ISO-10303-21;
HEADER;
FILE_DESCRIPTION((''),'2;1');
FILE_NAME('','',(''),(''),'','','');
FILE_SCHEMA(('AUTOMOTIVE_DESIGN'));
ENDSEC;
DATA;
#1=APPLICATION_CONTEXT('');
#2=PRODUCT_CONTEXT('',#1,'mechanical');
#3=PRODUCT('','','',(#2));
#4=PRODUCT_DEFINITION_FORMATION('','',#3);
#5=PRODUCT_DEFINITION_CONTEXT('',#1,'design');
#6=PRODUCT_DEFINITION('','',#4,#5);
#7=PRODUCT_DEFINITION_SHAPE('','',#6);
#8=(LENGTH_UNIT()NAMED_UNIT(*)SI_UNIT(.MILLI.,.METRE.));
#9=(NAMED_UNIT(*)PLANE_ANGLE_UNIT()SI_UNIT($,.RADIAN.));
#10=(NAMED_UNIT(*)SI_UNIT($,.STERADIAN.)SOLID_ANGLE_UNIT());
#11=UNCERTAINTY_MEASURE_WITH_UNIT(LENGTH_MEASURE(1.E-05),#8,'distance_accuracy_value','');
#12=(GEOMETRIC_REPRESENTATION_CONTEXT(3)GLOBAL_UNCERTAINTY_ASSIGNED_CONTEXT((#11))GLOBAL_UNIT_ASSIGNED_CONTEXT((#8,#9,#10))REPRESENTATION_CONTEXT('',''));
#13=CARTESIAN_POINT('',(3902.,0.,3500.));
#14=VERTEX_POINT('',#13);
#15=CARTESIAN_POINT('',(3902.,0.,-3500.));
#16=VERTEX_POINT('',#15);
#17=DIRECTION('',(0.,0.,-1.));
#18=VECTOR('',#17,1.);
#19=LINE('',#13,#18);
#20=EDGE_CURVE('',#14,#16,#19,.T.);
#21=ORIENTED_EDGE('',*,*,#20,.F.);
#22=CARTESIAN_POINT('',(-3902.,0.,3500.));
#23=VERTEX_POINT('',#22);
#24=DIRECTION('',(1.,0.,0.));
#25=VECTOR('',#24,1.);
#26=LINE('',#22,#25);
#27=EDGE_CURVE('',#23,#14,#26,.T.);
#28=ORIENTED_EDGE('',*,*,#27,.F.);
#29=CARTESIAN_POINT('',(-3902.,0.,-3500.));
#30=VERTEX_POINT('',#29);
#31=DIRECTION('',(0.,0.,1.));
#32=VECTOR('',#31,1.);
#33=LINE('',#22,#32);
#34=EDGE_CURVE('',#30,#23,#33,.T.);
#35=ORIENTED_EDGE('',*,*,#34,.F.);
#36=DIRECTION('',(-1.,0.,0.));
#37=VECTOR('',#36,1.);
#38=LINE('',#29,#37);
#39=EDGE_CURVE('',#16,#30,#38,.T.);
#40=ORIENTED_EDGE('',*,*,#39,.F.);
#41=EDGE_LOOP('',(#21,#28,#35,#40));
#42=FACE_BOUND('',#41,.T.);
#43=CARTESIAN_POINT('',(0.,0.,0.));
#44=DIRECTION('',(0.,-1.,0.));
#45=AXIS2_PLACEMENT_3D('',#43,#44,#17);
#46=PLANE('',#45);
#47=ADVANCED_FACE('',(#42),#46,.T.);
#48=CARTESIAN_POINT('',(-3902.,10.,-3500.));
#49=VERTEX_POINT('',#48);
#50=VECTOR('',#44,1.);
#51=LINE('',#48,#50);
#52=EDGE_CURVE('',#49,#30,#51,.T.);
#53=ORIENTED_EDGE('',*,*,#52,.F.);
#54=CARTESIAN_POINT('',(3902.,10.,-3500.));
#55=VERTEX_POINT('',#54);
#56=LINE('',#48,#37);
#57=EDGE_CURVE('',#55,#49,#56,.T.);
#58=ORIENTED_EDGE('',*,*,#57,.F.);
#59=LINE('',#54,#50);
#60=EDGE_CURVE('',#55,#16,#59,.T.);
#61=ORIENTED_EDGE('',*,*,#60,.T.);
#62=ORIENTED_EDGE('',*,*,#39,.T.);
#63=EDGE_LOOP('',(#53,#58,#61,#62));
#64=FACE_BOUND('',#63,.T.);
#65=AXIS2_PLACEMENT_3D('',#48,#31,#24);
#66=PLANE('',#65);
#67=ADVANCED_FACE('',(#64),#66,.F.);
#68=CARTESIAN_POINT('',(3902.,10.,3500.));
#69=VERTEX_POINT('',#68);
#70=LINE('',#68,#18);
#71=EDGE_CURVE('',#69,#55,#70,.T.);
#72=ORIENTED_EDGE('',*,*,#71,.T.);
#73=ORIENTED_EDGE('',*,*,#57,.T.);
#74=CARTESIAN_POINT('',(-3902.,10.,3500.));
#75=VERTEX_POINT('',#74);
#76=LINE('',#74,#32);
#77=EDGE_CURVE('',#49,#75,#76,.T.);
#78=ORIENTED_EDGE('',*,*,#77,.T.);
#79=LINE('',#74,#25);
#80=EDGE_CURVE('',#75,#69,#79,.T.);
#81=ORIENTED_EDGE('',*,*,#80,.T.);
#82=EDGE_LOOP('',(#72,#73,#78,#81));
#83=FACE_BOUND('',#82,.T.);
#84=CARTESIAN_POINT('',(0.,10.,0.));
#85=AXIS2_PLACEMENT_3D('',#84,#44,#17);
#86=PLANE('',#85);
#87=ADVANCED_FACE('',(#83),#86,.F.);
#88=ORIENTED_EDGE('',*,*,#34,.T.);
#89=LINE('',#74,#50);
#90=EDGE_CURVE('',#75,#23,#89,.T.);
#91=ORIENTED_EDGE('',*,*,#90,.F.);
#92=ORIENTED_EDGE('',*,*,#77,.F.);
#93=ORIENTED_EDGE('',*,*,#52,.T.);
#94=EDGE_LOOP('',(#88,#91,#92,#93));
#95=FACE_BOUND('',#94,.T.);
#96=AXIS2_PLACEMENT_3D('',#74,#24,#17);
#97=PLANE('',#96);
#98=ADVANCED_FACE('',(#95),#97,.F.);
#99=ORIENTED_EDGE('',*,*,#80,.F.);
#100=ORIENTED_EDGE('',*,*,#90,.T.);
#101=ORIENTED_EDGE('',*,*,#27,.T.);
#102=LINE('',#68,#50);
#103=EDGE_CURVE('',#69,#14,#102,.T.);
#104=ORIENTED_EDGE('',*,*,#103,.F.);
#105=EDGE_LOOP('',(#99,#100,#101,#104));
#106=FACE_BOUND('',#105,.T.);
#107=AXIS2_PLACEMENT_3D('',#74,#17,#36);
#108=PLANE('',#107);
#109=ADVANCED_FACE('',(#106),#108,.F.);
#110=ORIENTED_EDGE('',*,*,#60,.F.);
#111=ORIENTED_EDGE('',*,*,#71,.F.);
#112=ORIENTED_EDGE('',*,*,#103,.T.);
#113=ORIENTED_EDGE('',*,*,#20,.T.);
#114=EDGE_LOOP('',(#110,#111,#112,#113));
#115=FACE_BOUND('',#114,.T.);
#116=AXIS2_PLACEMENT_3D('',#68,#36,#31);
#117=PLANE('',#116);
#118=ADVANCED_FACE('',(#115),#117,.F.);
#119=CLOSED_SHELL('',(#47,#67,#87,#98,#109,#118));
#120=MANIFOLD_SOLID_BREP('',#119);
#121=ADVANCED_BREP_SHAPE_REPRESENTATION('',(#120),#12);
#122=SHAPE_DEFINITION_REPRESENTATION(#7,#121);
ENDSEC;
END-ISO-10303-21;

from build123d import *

# Parameters (mm, degrees)
SKETCH1_W           = 7804
SKETCH1_H           = 7000
BOSS_EXTRUDE1_DEPTH = 10


with BuildPart() as part:
    # Sketch1 → Boss-Extrude1 (new body)
    with BuildSketch(Plane(origin=(0, 0, 0), x_dir=(1, 0, 0), z_dir=(0, 1, 0))):
        Rectangle(SKETCH1_W, SKETCH1_H)
    extrude(amount=BOSS_EXTRUDE1_DEPTH)


solid = part.part
